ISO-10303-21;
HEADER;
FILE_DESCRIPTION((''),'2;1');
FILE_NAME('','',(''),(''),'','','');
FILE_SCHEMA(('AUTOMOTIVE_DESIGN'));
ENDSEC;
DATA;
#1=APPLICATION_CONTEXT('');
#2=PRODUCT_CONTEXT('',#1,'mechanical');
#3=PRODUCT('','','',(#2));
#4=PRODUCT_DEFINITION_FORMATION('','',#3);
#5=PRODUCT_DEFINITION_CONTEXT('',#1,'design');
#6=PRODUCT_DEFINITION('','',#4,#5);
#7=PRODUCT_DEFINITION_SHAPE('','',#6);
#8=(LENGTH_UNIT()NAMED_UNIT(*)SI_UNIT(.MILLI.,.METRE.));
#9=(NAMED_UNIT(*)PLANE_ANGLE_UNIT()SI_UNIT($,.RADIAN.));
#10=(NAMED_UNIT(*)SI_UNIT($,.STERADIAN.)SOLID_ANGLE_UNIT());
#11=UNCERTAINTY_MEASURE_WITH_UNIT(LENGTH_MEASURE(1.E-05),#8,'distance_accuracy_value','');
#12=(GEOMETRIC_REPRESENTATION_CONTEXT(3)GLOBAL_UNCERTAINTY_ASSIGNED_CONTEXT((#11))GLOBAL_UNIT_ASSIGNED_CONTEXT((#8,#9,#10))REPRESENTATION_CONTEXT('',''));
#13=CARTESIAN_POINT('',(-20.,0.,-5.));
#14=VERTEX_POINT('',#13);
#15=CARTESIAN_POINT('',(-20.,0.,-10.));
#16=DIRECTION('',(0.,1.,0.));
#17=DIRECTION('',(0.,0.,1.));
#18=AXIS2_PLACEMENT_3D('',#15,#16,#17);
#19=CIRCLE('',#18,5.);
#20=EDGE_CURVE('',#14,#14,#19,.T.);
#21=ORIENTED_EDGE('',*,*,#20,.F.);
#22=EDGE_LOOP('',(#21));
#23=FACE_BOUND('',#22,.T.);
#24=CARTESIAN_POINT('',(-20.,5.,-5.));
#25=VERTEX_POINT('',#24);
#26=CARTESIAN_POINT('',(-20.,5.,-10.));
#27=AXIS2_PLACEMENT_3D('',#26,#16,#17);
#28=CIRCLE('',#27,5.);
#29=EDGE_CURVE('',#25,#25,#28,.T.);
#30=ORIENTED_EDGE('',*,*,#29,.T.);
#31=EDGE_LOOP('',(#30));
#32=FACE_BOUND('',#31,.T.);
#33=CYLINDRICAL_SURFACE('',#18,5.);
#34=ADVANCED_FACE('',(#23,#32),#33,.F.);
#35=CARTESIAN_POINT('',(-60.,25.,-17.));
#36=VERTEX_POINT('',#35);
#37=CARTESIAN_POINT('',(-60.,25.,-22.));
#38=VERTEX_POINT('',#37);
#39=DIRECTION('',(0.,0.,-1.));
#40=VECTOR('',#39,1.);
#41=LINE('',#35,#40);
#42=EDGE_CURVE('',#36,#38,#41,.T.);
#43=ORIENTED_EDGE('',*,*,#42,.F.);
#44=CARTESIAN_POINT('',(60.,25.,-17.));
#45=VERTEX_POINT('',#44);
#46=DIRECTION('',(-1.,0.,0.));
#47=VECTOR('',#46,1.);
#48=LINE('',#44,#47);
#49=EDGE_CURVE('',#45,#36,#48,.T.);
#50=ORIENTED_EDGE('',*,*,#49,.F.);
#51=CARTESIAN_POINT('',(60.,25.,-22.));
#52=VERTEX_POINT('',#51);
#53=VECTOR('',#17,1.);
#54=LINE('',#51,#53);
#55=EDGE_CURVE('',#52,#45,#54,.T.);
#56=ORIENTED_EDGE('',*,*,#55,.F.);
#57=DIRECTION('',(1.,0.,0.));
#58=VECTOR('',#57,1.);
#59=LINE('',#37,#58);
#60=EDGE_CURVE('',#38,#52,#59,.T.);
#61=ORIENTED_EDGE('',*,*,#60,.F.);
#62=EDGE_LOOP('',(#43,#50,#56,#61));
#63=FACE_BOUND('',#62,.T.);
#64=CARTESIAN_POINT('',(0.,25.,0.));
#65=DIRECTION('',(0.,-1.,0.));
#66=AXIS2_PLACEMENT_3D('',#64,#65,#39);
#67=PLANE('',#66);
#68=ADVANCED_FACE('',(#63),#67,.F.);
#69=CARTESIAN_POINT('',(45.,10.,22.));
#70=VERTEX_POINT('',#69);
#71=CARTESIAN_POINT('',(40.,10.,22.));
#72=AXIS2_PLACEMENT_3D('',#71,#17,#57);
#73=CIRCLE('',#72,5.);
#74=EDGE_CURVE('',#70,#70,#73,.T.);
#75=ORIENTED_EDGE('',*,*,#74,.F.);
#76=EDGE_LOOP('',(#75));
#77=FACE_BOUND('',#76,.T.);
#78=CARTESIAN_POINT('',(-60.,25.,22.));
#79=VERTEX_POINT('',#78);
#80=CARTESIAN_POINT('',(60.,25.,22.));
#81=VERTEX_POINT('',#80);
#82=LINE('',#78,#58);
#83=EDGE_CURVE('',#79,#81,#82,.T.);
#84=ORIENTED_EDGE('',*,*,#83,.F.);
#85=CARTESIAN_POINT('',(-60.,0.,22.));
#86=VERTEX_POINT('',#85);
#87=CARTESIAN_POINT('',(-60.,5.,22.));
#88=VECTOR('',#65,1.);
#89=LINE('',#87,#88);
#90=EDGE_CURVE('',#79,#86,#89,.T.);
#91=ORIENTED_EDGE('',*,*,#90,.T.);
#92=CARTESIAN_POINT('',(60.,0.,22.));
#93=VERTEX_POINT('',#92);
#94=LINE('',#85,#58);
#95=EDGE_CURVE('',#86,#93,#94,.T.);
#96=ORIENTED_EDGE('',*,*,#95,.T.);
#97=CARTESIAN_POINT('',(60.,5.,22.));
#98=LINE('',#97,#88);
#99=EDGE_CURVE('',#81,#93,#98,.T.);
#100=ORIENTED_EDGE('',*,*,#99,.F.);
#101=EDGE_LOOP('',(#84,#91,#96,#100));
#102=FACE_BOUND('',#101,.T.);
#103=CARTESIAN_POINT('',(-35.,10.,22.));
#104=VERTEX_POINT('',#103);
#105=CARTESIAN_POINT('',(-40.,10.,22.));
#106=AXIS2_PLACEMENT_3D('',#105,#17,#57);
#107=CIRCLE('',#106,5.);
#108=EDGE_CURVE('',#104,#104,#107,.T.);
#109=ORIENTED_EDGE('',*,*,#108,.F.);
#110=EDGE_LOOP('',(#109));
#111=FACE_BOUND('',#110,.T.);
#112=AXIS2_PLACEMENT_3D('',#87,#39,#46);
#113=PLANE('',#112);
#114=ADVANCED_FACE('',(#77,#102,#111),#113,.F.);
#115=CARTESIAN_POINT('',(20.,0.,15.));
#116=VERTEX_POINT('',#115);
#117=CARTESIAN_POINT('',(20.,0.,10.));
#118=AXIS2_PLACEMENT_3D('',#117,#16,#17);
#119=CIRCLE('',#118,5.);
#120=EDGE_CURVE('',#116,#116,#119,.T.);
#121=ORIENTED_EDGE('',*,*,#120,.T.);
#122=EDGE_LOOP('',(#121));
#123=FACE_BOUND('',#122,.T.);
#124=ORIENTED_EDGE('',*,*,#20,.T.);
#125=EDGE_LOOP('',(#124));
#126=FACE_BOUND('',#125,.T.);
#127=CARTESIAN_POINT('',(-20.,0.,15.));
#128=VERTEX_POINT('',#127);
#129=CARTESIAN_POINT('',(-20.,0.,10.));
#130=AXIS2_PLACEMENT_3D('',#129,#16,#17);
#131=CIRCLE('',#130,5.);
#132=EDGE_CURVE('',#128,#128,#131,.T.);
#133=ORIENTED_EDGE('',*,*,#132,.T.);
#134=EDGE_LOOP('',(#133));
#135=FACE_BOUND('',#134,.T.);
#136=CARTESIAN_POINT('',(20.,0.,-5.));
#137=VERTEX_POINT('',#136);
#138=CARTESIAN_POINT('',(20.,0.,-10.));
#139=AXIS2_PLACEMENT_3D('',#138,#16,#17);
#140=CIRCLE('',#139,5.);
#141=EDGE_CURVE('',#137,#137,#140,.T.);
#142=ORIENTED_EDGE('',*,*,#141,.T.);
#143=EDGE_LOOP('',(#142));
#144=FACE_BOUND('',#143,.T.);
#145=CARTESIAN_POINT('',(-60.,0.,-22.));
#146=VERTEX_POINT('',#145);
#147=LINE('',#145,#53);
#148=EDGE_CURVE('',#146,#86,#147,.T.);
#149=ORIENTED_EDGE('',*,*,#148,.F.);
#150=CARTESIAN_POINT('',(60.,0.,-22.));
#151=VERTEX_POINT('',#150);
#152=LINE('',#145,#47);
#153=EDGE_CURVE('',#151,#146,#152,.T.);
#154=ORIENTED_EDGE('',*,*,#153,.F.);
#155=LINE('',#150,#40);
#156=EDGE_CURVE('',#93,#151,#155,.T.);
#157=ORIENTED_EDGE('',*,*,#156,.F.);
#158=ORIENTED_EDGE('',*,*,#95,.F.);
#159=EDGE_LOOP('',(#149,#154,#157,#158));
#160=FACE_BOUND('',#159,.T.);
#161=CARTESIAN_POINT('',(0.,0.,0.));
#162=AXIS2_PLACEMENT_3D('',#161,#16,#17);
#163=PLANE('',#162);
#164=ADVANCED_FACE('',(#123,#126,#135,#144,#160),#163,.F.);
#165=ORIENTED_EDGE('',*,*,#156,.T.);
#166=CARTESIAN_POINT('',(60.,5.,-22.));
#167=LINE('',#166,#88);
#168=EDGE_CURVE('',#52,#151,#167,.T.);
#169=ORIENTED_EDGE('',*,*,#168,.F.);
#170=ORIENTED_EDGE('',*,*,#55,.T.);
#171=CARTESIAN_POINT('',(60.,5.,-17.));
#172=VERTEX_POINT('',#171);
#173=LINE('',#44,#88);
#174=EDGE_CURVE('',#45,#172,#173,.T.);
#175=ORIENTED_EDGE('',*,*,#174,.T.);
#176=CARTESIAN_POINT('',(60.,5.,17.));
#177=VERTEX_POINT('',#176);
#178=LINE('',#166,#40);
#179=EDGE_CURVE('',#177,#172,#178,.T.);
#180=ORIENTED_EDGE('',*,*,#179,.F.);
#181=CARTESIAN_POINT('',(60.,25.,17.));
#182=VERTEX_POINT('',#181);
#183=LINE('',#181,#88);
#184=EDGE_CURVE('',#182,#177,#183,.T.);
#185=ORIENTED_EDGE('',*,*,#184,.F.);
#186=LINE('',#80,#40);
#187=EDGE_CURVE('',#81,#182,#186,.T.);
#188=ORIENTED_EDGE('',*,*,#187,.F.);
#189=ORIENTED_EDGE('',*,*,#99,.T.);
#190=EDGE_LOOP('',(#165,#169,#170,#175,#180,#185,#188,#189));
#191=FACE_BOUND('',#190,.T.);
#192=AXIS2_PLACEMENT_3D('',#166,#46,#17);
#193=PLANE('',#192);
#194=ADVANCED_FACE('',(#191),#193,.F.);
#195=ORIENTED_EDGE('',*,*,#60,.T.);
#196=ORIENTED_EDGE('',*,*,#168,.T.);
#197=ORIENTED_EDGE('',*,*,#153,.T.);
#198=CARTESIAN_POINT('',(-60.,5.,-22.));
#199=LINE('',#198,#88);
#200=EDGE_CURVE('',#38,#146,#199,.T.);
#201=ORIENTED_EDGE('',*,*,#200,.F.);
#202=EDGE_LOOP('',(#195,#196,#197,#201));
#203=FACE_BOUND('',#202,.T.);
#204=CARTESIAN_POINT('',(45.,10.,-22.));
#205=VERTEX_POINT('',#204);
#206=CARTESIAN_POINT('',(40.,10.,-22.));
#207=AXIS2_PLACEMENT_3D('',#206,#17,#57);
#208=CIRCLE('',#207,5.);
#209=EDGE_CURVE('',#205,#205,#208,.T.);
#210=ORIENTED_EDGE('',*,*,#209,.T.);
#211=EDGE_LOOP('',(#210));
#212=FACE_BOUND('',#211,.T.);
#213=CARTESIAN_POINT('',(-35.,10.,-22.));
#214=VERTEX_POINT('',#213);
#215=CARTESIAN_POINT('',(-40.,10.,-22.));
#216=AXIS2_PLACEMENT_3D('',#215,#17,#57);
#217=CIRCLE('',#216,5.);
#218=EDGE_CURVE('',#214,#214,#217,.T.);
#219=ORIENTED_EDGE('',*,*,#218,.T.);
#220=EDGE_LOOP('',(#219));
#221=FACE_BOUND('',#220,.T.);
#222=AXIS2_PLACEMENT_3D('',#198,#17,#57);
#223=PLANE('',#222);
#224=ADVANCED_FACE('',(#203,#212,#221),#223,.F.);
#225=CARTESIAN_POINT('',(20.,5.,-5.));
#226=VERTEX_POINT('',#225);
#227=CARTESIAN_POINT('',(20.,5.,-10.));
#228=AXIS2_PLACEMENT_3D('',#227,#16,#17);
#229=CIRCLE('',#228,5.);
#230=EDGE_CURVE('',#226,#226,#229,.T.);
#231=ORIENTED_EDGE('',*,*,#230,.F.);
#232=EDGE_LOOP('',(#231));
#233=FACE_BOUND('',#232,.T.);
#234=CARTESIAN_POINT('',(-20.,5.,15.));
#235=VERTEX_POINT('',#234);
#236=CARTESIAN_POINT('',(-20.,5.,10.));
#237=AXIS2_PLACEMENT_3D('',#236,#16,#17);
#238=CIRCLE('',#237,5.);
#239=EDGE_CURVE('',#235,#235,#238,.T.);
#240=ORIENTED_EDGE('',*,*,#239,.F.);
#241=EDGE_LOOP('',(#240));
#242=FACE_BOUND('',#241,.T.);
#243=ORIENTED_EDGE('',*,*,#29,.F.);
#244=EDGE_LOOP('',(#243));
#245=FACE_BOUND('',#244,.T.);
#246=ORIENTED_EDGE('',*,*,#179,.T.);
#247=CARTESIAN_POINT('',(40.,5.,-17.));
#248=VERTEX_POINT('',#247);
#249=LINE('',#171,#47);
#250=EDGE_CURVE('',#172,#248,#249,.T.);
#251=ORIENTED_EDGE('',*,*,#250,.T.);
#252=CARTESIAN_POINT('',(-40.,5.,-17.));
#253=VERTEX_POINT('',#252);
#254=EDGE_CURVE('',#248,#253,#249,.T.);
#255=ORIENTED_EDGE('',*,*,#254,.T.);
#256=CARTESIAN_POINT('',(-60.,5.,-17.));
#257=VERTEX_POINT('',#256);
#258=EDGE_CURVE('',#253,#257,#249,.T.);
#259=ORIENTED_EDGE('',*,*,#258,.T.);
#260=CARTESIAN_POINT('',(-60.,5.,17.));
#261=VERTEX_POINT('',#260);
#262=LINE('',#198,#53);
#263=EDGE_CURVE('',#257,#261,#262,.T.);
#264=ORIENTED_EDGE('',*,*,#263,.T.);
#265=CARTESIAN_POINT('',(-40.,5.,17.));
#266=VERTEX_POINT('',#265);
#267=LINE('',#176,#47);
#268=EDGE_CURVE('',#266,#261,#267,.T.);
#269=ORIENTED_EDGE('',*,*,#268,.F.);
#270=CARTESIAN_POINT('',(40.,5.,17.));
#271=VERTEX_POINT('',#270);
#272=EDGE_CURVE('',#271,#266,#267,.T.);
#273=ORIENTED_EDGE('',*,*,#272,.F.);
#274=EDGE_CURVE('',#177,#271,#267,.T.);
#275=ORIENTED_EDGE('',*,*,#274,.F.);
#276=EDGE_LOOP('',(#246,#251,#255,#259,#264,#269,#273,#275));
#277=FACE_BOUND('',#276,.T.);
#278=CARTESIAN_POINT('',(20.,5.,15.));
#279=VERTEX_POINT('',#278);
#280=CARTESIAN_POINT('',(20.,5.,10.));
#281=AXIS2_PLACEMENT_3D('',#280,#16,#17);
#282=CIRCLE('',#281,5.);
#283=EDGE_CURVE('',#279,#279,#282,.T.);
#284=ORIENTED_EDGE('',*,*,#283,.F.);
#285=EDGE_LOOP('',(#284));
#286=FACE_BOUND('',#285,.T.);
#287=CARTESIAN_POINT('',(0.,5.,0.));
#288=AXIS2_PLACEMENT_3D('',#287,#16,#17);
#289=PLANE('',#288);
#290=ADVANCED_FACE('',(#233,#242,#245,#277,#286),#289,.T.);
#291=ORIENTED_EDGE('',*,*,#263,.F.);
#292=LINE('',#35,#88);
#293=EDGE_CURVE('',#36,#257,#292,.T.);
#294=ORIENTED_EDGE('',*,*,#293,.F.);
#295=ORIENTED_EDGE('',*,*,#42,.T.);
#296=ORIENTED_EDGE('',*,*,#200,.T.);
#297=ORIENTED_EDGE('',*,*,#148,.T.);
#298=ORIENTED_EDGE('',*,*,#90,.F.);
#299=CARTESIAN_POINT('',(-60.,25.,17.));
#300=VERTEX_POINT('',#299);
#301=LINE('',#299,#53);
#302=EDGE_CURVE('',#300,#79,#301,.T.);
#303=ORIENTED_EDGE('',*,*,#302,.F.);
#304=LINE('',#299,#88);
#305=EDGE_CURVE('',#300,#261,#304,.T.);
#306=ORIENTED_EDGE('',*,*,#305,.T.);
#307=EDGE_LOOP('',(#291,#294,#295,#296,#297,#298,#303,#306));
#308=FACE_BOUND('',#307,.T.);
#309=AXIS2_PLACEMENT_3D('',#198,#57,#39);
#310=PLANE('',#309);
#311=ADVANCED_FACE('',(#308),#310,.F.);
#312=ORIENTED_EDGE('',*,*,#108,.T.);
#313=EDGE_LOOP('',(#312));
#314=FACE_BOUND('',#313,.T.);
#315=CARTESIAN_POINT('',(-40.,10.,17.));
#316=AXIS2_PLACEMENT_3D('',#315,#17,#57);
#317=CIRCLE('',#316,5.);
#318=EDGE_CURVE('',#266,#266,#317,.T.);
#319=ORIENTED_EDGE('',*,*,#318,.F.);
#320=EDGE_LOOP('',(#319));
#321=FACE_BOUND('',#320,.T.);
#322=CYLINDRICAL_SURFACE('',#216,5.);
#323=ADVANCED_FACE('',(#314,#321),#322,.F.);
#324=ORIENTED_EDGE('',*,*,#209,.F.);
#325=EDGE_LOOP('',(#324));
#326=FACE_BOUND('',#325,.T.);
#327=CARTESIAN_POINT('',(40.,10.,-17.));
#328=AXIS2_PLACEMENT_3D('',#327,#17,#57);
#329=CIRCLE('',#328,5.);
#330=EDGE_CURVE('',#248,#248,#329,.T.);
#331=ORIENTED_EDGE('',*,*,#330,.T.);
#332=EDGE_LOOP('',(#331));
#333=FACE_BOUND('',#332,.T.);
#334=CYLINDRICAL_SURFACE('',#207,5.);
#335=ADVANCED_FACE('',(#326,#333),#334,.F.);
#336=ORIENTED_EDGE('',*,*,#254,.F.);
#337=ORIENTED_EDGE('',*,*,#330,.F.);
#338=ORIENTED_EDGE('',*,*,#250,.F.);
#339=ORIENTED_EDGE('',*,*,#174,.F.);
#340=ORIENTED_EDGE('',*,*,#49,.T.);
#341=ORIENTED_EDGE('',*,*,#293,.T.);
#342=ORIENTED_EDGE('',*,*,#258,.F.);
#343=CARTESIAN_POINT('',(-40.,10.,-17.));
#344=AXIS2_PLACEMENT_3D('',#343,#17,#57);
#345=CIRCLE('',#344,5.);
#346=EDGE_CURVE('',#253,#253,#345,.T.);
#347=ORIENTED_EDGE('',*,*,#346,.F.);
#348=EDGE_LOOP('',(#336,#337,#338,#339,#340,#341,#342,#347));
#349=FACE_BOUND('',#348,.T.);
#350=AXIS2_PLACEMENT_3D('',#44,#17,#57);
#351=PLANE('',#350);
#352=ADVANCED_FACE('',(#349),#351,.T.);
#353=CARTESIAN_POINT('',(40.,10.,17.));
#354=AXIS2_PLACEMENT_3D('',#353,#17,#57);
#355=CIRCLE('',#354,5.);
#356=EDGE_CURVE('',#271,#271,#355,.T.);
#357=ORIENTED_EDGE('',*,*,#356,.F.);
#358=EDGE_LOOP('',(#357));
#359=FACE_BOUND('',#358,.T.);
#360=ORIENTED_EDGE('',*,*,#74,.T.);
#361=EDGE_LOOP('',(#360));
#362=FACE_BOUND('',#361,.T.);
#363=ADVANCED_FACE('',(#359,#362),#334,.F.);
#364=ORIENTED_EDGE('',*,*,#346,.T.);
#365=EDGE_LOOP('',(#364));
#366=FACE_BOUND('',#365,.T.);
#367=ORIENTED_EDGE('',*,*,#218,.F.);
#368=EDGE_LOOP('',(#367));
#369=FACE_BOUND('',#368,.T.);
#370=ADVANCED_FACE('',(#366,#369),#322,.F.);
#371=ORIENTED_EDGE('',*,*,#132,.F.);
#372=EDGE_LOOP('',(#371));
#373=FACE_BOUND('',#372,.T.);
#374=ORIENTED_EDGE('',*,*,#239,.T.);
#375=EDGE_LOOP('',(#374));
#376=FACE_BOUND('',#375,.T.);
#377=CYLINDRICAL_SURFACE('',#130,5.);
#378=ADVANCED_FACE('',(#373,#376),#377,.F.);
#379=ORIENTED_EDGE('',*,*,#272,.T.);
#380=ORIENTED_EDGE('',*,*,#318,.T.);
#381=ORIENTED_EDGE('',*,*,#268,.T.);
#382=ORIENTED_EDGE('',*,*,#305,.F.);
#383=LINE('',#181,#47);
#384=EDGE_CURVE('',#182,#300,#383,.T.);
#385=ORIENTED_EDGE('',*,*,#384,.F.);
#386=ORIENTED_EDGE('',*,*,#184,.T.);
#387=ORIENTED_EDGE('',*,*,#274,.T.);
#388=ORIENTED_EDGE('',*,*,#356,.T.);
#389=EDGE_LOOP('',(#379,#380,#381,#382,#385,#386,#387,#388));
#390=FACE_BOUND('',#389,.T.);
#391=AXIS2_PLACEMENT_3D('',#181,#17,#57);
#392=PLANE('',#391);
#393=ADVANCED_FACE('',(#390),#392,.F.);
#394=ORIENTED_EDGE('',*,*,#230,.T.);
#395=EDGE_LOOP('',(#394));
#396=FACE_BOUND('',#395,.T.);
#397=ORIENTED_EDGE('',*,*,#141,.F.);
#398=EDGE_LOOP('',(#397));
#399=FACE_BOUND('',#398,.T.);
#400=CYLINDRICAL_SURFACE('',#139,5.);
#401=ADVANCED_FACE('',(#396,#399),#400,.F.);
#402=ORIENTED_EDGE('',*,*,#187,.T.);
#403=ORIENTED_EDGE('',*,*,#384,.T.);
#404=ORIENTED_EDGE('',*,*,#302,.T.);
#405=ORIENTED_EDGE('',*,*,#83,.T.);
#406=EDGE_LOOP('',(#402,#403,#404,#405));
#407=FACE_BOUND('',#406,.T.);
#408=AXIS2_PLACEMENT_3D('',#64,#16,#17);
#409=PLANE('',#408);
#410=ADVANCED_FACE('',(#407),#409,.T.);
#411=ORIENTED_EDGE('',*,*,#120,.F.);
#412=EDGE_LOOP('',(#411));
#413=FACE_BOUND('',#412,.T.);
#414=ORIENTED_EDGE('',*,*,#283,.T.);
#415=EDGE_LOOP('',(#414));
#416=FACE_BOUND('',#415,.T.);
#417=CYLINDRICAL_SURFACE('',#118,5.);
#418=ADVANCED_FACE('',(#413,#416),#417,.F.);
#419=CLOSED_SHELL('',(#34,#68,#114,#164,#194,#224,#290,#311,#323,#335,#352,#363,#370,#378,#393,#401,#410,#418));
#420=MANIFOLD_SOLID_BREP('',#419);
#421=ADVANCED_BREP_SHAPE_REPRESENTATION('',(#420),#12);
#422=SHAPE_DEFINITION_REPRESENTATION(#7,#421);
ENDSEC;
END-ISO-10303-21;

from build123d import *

# Parameters (mm, degrees)
SKETCH1_W           = 120
SKETCH1_H           = 44
BOSS_EXTRUDE1_DEPTH = 5
SKETCH2_W           = 120
SKETCH2_H           = 5
BOSS_EXTRUDE2_DEPTH = 20
SKETCH3_R           = 5
CUT_EXTRUDE1_DEPTH  = 79.492037813
SKETCH4_R           = 5
CUT_EXTRUDE3_DEPTH  = 67.962676171


with BuildPart() as part:
    # Sketch1 → Boss-Extrude1 (new body)
    with BuildSketch(Plane(origin=(0, 0, 0), x_dir=(1, 0, 0), z_dir=(0, 1, 0))):
        Rectangle(SKETCH1_W, SKETCH1_H)
    extrude(amount=BOSS_EXTRUDE1_DEPTH)

    # Sketch2 → Boss-Extrude2 (add)
    with BuildSketch(Plane(origin=(0, 5, 0), x_dir=(1, 0, 0), z_dir=(0, 1, 0))):
        with Locations((0, 19.5)):
            Rectangle(SKETCH2_W, SKETCH2_H)
        with Locations((0, -19.5)):
            Rectangle(SKETCH2_W, SKETCH2_H)
    extrude(amount=BOSS_EXTRUDE2_DEPTH)

    # Sketch3 → Cut-Extrude1 (cut, through all)
    with BuildSketch(Plane.XY.offset(22)):
        with Locations((40, 10)):
            Circle(SKETCH3_R)
        with Locations((-40, 10)):
            Circle(SKETCH3_R)
    extrude(amount=-CUT_EXTRUDE1_DEPTH, mode=Mode.SUBTRACT)

    # Sketch4 → Cut-Extrude3 (cut, through all)
    with BuildSketch(Plane(origin=(0, 5, 0), x_dir=(1, 0, 0), z_dir=(0, 1, 0))):
        with Locations(Location((20, 10, 0), (0, 0, 270))):
            Circle(SKETCH4_R)
        with Locations(Location((20, -10, 0), (0, 0, 270))):
            Circle(SKETCH4_R)
        with Locations(Location((-20, 10, 0), (0, 0, 270))):
            Circle(SKETCH4_R)
        with Locations(Location((-20, -10, 0), (0, 0, 270))):
            Circle(SKETCH4_R)
    extrude(amount=-CUT_EXTRUDE3_DEPTH, mode=Mode.SUBTRACT)


solid = part.part
